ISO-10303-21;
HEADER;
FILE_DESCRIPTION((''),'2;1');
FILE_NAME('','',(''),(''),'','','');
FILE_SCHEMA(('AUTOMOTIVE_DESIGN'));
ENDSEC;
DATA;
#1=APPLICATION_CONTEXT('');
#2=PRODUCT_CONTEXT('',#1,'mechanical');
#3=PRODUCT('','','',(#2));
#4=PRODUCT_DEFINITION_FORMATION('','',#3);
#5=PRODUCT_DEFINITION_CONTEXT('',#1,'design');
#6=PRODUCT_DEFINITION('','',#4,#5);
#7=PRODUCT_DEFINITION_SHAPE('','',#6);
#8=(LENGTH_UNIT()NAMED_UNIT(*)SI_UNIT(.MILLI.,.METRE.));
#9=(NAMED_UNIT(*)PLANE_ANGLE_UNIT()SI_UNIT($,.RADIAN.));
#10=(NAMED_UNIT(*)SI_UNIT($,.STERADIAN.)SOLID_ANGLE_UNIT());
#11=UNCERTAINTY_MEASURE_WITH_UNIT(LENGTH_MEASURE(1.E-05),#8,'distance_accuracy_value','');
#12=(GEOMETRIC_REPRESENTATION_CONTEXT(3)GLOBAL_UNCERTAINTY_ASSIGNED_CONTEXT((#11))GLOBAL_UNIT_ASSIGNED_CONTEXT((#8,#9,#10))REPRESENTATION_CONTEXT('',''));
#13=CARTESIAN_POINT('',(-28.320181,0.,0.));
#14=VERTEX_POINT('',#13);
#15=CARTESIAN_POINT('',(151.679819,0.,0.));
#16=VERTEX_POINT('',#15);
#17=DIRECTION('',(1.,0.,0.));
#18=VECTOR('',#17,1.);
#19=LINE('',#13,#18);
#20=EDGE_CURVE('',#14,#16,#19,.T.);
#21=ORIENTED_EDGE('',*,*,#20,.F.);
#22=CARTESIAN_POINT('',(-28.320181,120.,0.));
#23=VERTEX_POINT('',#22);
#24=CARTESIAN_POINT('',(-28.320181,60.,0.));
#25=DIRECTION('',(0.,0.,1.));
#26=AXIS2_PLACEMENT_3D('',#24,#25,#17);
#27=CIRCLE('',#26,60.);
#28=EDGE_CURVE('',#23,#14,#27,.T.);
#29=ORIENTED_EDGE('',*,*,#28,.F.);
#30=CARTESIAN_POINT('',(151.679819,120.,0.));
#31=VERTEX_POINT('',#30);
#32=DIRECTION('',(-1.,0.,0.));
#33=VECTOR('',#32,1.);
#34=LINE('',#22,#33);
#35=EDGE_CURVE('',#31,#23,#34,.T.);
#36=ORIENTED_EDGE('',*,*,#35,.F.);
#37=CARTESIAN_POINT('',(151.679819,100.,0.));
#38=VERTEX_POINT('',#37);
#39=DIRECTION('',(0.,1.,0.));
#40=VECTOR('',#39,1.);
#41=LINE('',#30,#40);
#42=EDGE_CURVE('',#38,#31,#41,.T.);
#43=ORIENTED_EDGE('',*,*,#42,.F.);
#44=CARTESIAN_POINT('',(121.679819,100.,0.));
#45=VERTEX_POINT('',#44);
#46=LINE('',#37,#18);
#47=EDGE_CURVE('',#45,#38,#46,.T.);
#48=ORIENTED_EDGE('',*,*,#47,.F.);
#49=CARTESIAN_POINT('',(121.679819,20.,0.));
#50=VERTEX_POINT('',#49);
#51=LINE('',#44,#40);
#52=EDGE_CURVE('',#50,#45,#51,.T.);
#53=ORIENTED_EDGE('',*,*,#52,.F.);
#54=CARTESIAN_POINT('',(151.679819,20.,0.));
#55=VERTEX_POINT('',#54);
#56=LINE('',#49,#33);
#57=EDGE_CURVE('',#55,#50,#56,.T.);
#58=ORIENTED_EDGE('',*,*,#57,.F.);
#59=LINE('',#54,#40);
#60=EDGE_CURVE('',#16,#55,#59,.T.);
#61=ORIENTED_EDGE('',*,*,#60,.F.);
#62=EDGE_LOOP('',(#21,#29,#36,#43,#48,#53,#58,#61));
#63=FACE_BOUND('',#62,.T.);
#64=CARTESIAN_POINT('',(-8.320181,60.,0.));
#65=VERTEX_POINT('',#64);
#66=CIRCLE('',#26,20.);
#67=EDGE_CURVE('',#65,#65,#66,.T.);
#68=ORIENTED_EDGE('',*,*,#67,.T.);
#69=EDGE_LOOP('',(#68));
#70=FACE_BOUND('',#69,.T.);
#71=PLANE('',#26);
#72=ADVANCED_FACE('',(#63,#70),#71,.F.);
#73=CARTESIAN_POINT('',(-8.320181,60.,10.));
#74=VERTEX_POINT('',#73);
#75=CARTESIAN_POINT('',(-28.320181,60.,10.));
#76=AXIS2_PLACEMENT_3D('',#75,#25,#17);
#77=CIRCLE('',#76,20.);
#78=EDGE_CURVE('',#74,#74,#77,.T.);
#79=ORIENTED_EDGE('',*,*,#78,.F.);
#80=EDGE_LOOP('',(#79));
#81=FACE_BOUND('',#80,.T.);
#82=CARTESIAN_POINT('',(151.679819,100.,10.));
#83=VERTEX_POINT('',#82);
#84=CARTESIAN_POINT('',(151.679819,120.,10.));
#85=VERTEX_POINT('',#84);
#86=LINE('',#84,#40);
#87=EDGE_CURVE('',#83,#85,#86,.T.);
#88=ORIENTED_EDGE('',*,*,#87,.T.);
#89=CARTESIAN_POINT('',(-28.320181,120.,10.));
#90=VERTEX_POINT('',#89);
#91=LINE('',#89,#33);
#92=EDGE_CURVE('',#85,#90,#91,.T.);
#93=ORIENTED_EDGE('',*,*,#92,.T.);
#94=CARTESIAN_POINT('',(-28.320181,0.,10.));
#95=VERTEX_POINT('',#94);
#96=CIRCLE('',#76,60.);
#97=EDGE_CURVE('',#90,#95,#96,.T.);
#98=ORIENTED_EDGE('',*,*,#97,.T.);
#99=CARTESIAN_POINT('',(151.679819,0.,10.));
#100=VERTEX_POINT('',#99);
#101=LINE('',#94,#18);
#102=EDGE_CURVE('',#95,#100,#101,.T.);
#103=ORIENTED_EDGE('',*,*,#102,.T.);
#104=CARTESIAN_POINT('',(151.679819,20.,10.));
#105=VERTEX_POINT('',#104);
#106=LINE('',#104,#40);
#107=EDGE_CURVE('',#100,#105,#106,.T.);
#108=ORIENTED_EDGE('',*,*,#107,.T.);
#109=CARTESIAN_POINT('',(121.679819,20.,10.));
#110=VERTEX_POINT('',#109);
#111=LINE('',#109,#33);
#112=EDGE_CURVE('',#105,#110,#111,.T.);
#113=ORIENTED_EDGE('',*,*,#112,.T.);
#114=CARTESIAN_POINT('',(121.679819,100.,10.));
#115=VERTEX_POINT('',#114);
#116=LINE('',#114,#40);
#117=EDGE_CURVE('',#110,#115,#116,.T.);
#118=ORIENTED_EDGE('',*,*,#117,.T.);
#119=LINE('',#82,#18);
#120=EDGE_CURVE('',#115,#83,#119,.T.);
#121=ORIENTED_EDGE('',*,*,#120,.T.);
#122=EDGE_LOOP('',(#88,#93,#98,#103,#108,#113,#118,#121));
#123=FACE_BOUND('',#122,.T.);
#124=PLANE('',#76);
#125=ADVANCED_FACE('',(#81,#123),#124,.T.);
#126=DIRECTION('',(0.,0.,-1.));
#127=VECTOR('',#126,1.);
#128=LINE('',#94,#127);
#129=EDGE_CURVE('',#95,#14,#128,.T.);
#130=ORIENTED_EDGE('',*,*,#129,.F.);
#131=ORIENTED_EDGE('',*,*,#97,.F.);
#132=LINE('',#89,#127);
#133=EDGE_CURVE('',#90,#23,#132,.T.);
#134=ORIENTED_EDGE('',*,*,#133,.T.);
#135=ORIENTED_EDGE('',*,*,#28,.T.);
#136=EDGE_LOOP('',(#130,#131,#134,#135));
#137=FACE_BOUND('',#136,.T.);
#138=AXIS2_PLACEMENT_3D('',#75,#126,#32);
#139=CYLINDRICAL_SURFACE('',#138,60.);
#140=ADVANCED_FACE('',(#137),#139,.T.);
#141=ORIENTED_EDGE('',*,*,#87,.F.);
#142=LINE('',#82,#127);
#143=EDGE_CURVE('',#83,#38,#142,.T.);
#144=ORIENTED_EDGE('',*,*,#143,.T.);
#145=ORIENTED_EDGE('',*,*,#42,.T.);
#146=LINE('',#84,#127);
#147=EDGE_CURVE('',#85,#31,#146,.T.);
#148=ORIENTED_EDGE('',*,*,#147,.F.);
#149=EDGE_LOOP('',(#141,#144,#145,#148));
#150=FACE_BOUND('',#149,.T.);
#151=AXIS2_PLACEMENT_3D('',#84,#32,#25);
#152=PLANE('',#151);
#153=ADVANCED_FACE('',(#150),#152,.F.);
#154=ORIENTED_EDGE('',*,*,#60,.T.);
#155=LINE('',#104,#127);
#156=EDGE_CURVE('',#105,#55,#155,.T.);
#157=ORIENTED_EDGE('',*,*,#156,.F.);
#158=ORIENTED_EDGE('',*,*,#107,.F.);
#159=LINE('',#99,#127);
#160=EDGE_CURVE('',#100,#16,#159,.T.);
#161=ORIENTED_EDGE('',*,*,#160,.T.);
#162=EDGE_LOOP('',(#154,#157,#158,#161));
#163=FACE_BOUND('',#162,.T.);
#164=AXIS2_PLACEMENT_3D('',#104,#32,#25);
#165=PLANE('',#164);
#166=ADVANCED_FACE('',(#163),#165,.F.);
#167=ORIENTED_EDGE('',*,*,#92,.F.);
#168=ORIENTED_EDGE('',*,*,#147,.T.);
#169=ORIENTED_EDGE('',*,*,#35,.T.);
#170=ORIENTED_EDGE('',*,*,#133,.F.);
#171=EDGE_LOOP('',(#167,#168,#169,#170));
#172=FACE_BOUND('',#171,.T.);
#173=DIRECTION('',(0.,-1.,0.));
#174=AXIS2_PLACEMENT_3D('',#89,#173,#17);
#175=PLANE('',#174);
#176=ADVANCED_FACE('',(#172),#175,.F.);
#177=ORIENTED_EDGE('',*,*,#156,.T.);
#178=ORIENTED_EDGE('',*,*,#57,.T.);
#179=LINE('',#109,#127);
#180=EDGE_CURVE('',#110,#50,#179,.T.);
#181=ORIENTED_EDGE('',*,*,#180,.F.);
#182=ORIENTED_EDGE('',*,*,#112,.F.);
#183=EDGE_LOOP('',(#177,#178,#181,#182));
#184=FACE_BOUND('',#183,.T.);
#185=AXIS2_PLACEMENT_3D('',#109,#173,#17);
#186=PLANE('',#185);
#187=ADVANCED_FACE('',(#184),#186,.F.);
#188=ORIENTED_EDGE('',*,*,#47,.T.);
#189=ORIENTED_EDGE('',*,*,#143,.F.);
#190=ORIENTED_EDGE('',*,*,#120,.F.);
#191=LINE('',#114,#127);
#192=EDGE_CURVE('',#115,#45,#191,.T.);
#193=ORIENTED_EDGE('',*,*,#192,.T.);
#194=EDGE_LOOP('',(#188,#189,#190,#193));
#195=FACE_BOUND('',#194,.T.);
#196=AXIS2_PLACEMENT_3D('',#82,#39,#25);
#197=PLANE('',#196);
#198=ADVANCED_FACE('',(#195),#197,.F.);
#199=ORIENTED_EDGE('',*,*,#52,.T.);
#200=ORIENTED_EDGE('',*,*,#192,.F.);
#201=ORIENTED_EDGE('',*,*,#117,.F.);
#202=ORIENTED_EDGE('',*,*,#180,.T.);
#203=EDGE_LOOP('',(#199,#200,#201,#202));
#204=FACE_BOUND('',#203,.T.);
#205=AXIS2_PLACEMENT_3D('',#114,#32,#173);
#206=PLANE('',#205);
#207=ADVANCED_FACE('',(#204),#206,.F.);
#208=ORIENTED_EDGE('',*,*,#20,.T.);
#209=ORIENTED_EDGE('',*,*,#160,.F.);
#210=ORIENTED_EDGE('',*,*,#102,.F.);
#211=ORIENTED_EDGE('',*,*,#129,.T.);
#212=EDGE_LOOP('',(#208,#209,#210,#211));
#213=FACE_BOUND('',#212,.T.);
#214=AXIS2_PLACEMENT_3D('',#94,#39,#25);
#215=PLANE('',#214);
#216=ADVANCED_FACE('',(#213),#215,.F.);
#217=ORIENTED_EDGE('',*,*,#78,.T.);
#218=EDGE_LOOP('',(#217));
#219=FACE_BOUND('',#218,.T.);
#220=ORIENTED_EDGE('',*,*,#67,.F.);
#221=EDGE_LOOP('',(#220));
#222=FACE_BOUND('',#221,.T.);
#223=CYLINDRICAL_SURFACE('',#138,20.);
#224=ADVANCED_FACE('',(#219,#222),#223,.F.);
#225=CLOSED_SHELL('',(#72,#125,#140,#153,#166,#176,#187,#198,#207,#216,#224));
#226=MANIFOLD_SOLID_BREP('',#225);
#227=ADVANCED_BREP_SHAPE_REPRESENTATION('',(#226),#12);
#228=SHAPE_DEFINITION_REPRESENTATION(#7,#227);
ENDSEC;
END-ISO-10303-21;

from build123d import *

# Parameters (mm, degrees)
SKETCH1_R           = 20
BOSS_EXTRUDE2_DEPTH = 10


with BuildPart() as part:
    # Sketch1 → Boss-Extrude2 (new body)
    with BuildSketch(Plane.XY):
        with BuildLine():
            Line((-28.320181146, 0), (151.679818854, 0))
            Line((151.679818854, 0), (151.679818854, 20))
            Line((151.679818854, 20), (121.679818854, 20))
            Line((121.679818854, 20), (121.679818854, 100))
            Line((121.679818854, 100), (151.679818854, 100))
            Line((151.679818854, 100), (151.679818854, 120))
            Line((151.679818854, 120), (-28.320181146, 120))
            ThreePointArc((-28.320181146, 120), (-88.320181146, 60), (-28.320181146, 0))
        make_face()
        with Locations((-28.320181146, 60)):
            Circle(SKETCH1_R, mode=Mode.SUBTRACT)
    extrude(amount=BOSS_EXTRUDE2_DEPTH)


solid = part.part
